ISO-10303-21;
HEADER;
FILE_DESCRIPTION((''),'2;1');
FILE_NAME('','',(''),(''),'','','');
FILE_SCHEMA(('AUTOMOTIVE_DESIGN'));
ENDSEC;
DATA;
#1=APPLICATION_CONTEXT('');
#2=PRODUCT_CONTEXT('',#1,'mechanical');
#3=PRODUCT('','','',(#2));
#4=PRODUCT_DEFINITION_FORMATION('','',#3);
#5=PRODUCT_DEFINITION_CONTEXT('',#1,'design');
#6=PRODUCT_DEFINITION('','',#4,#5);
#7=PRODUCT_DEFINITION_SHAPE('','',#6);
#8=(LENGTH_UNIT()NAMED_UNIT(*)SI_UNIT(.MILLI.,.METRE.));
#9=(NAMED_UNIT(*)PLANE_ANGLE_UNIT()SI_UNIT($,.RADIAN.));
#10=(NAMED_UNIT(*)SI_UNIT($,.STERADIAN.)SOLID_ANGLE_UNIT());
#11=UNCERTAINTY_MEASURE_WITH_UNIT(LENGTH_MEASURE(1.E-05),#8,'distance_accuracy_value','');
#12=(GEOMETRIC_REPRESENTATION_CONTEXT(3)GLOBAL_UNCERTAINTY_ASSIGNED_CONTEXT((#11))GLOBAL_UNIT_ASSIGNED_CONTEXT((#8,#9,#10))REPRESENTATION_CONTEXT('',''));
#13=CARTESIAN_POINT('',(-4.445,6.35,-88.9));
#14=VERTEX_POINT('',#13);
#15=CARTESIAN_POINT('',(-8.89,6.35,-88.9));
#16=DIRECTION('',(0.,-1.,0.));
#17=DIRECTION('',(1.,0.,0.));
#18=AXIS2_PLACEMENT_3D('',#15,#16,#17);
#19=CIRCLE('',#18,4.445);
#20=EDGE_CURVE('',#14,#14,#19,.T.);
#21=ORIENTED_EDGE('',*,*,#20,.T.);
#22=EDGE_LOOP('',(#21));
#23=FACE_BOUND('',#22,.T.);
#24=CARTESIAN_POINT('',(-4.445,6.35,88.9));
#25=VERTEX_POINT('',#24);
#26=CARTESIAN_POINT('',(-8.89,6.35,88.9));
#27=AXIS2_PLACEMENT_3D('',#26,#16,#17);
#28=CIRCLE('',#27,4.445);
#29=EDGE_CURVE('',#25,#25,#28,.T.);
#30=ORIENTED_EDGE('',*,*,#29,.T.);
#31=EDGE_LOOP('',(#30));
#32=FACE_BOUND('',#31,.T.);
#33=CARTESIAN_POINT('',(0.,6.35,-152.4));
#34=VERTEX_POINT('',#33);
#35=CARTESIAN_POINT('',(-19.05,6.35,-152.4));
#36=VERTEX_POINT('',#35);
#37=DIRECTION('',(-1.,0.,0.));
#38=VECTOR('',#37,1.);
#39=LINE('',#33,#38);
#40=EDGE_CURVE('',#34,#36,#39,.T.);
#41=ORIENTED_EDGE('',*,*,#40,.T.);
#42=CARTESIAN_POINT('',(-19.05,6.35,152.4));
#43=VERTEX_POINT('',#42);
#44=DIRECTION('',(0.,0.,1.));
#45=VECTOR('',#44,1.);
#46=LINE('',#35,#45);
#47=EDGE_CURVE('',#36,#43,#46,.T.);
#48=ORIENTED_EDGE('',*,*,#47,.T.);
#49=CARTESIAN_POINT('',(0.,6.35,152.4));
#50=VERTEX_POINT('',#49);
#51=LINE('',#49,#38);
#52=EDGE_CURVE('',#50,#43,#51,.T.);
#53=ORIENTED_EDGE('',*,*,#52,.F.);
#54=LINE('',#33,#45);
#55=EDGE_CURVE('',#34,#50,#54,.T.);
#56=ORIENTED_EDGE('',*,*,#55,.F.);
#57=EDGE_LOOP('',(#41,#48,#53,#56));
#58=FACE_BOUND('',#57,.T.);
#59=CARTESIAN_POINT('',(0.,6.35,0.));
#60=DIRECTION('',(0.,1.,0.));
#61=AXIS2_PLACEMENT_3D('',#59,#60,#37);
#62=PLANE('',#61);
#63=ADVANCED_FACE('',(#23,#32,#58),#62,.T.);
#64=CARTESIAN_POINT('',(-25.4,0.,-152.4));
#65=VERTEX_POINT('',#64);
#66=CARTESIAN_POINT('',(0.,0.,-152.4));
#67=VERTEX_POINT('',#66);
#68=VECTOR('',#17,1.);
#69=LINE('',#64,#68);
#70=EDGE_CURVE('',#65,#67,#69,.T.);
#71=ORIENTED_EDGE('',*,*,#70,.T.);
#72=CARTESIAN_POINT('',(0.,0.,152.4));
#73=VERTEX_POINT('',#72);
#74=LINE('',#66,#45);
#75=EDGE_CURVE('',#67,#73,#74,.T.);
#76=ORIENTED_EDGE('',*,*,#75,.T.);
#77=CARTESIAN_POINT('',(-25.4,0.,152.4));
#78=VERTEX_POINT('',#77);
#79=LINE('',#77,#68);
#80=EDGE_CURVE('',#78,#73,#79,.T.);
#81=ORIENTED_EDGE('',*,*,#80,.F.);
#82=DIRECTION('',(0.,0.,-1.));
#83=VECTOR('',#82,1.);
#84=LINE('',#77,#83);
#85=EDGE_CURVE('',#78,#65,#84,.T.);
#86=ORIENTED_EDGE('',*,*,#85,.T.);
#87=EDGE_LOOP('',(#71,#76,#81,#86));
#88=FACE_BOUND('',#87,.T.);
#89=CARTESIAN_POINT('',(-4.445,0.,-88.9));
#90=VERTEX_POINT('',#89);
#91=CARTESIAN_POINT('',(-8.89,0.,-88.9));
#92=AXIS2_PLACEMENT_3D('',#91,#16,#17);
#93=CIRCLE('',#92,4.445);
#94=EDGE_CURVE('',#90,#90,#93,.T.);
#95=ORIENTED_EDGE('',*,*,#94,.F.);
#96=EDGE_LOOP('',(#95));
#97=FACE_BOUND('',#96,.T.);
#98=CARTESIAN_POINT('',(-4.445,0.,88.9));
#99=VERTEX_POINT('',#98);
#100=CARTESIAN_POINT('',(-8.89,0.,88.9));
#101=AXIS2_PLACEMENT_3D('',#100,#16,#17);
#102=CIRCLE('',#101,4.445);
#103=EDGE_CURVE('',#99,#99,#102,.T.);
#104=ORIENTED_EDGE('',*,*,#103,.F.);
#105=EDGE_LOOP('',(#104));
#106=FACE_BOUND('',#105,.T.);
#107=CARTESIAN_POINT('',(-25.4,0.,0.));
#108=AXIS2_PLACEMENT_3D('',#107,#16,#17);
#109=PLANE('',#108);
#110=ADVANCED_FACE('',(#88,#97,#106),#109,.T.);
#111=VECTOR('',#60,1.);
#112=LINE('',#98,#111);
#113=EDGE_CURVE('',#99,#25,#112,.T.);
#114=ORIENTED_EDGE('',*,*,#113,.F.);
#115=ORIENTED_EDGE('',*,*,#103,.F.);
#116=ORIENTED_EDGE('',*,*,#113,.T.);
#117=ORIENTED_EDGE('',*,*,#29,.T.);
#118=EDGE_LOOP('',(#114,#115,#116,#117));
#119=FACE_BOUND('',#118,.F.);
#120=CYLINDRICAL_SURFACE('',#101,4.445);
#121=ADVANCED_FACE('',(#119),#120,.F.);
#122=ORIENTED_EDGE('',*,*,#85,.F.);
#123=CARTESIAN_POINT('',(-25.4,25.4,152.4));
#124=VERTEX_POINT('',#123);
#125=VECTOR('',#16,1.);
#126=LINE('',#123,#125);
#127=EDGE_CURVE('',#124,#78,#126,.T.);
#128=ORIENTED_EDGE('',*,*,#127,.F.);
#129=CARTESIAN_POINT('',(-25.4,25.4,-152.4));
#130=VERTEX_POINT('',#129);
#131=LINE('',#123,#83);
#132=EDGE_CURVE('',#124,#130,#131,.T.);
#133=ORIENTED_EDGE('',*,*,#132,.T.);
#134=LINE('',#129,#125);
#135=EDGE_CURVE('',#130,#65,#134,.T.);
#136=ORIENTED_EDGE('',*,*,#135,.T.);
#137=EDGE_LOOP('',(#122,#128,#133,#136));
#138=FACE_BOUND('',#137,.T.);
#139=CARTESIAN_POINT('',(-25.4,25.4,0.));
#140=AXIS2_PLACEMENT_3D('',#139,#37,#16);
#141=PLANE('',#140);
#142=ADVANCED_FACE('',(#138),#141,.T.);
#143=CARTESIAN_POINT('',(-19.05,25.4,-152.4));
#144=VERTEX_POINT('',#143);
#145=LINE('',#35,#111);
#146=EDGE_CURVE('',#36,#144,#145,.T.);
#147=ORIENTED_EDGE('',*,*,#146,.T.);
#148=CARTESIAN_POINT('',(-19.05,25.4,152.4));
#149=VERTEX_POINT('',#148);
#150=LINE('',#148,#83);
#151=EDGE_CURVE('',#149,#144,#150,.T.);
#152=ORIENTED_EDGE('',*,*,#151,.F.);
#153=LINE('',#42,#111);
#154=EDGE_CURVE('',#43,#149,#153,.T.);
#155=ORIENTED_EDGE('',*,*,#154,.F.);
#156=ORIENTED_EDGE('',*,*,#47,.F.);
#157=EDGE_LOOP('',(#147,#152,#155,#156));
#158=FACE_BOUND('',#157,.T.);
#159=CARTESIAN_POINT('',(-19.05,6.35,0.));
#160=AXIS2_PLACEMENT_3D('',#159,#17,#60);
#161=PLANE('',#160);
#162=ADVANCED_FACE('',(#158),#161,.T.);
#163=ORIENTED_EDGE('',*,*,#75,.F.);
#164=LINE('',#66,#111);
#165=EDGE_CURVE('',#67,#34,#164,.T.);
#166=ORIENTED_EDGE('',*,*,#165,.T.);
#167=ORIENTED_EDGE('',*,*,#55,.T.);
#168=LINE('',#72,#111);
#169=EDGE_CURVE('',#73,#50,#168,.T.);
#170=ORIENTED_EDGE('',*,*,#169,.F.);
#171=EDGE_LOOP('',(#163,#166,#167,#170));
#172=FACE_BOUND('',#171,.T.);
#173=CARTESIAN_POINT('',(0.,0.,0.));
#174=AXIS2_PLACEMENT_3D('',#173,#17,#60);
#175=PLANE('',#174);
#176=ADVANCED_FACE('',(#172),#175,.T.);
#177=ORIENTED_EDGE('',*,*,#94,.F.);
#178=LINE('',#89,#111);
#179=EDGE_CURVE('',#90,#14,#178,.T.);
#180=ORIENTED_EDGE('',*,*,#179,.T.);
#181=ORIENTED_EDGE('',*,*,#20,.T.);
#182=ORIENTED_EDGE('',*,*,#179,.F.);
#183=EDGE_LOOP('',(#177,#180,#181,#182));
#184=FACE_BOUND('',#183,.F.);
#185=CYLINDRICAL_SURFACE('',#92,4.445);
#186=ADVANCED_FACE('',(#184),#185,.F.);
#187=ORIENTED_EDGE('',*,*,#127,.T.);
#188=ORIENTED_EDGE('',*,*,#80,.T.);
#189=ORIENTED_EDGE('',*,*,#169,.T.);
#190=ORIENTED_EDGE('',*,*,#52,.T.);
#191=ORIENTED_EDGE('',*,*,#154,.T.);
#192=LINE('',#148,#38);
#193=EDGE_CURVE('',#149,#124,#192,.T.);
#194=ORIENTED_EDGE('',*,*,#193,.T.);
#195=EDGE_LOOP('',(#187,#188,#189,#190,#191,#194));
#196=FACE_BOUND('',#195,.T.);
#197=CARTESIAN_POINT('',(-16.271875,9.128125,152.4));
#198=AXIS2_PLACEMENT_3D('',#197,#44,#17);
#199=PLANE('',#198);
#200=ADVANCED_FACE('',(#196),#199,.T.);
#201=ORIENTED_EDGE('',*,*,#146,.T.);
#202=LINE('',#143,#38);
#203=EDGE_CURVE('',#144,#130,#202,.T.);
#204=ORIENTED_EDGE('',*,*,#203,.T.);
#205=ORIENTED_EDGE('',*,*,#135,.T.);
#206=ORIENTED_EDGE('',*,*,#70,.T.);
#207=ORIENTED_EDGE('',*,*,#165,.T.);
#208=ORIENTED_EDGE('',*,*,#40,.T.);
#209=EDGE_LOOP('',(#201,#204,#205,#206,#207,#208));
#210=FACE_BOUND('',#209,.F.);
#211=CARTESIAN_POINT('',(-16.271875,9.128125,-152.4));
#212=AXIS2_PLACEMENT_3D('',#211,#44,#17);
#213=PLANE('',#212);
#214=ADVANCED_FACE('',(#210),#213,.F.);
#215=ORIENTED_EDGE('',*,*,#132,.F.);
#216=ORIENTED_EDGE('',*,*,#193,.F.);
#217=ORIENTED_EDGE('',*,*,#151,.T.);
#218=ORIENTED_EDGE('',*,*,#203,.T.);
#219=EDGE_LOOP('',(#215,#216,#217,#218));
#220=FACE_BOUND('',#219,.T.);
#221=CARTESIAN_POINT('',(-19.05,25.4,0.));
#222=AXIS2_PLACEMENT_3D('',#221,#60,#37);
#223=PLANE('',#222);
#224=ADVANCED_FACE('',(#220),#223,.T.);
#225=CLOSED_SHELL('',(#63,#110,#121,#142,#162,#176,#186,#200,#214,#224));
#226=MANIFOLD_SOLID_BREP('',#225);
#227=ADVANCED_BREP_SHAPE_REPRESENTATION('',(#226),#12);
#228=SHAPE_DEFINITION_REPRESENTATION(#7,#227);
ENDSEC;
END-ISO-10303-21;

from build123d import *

# Parameters (mm, degrees)
F1_DEPTH = 152.4
F2_R     = 4.445
F3_DEPTH = 25.4


with BuildPart() as f1:
    # F0 (on Top) → F1 (new body, symmetric)
    with BuildSketch(Plane.XY):
        Polygon((-25.4, 0), (0, 0), (0, 6.35), (-19.05, 6.35), (-19.05, 25.4), (-25.4, 25.4), align=None)
    extrude(amount=F1_DEPTH, both=True)

    # F2 (on face) → F3 (cut)
    with BuildSketch(Plane.XZ):
        with Locations((-8.89, 88.9)):
            Circle(F2_R)
        with Locations((-8.89, -88.9)):
            Circle(F2_R)
    extrude(amount=-F3_DEPTH, mode=Mode.SUBTRACT)


solid = f1.part
